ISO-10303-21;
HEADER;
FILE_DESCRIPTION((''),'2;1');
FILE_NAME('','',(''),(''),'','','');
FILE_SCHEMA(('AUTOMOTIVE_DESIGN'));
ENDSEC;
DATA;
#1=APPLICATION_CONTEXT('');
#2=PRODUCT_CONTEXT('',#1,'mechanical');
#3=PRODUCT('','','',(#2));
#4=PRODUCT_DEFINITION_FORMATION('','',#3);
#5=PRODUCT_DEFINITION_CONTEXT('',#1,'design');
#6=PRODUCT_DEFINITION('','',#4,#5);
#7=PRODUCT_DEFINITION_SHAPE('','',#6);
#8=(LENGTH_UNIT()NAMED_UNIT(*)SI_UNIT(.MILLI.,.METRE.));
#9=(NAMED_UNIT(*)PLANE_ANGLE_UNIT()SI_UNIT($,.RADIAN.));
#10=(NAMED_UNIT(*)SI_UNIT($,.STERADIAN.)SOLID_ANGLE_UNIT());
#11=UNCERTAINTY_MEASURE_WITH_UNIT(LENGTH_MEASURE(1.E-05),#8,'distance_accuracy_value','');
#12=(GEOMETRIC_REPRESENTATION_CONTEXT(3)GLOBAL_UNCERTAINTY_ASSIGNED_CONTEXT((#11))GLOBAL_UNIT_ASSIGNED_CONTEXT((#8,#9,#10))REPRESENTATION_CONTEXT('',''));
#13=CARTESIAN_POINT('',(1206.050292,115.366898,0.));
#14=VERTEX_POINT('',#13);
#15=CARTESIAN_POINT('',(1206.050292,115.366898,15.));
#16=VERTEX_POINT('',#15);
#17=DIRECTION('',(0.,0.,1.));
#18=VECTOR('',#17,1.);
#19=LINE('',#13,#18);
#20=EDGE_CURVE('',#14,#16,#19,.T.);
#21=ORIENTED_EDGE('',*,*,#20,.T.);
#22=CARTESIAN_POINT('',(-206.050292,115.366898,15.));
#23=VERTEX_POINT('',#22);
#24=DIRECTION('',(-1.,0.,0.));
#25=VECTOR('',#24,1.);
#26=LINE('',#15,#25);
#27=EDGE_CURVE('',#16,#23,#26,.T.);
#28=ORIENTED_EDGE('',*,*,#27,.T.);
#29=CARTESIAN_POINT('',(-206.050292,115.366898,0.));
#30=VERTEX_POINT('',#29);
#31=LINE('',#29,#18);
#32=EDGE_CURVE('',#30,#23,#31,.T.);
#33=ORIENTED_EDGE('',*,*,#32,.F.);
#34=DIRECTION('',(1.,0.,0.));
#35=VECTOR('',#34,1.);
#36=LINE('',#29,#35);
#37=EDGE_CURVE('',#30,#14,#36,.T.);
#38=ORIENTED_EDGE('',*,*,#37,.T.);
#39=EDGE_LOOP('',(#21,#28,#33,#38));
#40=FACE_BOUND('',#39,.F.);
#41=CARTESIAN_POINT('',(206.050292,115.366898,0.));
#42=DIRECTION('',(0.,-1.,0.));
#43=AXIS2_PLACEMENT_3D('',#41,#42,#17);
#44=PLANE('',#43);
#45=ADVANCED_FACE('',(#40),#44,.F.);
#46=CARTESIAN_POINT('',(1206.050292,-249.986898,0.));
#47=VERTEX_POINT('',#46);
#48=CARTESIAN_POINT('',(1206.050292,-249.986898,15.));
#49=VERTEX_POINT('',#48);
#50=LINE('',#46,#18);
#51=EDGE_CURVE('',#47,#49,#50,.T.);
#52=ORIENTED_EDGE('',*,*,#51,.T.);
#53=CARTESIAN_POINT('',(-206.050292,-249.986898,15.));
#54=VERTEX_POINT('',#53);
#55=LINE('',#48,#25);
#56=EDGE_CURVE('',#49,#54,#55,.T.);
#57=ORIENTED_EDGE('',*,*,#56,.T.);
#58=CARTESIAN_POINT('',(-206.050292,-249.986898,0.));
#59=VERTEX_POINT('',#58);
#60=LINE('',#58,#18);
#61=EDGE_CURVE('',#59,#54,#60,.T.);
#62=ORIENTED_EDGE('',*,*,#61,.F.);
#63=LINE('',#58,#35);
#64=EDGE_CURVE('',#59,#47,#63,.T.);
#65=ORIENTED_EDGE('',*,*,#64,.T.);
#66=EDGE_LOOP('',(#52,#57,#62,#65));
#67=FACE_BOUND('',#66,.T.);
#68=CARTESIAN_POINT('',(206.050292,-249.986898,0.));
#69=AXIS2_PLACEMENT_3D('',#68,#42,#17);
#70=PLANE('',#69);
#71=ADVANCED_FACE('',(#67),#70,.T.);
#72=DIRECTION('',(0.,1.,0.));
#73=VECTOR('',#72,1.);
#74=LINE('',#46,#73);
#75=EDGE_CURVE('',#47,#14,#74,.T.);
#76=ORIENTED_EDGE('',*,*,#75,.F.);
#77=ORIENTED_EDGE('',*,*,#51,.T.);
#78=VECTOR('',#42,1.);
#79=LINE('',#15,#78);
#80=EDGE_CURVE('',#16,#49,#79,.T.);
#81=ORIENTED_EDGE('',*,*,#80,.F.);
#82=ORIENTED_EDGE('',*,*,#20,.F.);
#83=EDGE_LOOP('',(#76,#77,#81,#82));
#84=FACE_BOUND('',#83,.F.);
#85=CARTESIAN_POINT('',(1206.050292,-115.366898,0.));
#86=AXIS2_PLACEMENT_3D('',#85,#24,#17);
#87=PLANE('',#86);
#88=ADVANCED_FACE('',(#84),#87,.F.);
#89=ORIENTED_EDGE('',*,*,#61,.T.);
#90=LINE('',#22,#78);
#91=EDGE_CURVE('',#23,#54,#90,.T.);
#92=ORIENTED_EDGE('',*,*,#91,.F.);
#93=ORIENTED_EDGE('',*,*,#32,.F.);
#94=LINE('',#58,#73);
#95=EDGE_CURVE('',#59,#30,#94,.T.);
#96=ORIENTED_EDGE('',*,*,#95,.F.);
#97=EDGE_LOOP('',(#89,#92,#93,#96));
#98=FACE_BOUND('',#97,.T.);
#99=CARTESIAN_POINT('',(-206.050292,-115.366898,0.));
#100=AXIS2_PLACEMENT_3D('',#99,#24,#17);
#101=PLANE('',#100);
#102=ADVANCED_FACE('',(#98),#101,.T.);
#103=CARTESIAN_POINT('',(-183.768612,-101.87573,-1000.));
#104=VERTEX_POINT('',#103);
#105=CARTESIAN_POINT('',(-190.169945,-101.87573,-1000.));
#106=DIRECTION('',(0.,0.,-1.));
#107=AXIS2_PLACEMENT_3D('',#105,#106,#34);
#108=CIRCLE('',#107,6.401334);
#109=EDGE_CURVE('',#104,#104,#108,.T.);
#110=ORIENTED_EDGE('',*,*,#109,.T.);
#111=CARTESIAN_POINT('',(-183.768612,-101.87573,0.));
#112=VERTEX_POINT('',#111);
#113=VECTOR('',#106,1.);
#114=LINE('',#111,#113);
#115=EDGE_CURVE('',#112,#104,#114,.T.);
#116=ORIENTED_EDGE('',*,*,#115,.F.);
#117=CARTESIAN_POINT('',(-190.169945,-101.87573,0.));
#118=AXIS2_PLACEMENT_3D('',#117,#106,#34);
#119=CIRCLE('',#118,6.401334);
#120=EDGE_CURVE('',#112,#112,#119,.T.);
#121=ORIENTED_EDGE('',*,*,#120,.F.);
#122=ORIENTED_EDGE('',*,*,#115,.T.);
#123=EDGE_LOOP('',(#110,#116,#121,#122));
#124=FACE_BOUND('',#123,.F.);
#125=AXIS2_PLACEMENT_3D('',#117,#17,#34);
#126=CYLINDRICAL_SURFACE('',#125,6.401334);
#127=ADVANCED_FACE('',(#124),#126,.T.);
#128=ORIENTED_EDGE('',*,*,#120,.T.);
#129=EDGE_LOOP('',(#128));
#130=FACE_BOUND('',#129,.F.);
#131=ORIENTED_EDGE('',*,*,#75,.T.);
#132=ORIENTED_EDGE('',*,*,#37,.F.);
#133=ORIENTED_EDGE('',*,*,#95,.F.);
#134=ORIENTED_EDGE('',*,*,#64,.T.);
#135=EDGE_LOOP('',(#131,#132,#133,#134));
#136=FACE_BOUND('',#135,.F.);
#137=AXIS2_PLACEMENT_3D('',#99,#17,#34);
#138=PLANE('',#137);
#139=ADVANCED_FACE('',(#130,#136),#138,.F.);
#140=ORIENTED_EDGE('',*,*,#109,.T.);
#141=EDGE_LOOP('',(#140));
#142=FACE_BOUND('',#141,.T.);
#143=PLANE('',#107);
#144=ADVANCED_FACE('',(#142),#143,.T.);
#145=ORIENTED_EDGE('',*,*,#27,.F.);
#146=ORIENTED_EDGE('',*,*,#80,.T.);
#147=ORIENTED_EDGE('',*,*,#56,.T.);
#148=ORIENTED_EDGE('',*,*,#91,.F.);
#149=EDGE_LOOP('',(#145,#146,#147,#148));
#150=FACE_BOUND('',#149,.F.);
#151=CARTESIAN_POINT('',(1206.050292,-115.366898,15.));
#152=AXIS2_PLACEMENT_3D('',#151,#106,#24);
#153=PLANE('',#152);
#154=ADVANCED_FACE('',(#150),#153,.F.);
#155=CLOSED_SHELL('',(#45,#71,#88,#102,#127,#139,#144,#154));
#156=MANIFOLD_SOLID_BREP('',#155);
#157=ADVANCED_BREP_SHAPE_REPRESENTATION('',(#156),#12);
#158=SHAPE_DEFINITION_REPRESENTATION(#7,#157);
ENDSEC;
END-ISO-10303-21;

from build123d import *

# Parameters (mm, degrees)
F0_W     = 412.1005833149
F0_H     = 230.7337969542
F1_DEPTH = 15
F2_R     = 6.4013337275
F3_DEPTH = 1000
F4_DEPTH = 1000
F5_DEPTH = 134.62


with BuildPart() as f1:
    # F0 (on Top) → F1 (new body)
    with BuildSketch(Plane.XY):
        Rectangle(F0_W, F0_H)
    extrude(amount=F1_DEPTH)

    # F2 (on face) → F3 (join)
    with BuildSketch(Plane(origin=(0, 0, 0), x_dir=(1, 0, 0), z_dir=(0, 0, -1))):
        with Locations((-190.1699453592, 101.8757298589)):
            Circle(F2_R)
    extrude(amount=F3_DEPTH)

    # F4 (add): a face of the model
    f4_faces = [f1.faces().sort_by_distance(p)[0] for p in [
        (206.0502916574, 0, 7.5),
    ]]
    extrude(f4_faces, amount=F4_DEPTH)

    # F5 (add): a face of the model
    f5_faces = [f1.faces().sort_by_distance(p)[0] for p in [
        (500, -115.3668984771, 7.5),
    ]]
    extrude(f5_faces, amount=F5_DEPTH)


solid = f1.part
